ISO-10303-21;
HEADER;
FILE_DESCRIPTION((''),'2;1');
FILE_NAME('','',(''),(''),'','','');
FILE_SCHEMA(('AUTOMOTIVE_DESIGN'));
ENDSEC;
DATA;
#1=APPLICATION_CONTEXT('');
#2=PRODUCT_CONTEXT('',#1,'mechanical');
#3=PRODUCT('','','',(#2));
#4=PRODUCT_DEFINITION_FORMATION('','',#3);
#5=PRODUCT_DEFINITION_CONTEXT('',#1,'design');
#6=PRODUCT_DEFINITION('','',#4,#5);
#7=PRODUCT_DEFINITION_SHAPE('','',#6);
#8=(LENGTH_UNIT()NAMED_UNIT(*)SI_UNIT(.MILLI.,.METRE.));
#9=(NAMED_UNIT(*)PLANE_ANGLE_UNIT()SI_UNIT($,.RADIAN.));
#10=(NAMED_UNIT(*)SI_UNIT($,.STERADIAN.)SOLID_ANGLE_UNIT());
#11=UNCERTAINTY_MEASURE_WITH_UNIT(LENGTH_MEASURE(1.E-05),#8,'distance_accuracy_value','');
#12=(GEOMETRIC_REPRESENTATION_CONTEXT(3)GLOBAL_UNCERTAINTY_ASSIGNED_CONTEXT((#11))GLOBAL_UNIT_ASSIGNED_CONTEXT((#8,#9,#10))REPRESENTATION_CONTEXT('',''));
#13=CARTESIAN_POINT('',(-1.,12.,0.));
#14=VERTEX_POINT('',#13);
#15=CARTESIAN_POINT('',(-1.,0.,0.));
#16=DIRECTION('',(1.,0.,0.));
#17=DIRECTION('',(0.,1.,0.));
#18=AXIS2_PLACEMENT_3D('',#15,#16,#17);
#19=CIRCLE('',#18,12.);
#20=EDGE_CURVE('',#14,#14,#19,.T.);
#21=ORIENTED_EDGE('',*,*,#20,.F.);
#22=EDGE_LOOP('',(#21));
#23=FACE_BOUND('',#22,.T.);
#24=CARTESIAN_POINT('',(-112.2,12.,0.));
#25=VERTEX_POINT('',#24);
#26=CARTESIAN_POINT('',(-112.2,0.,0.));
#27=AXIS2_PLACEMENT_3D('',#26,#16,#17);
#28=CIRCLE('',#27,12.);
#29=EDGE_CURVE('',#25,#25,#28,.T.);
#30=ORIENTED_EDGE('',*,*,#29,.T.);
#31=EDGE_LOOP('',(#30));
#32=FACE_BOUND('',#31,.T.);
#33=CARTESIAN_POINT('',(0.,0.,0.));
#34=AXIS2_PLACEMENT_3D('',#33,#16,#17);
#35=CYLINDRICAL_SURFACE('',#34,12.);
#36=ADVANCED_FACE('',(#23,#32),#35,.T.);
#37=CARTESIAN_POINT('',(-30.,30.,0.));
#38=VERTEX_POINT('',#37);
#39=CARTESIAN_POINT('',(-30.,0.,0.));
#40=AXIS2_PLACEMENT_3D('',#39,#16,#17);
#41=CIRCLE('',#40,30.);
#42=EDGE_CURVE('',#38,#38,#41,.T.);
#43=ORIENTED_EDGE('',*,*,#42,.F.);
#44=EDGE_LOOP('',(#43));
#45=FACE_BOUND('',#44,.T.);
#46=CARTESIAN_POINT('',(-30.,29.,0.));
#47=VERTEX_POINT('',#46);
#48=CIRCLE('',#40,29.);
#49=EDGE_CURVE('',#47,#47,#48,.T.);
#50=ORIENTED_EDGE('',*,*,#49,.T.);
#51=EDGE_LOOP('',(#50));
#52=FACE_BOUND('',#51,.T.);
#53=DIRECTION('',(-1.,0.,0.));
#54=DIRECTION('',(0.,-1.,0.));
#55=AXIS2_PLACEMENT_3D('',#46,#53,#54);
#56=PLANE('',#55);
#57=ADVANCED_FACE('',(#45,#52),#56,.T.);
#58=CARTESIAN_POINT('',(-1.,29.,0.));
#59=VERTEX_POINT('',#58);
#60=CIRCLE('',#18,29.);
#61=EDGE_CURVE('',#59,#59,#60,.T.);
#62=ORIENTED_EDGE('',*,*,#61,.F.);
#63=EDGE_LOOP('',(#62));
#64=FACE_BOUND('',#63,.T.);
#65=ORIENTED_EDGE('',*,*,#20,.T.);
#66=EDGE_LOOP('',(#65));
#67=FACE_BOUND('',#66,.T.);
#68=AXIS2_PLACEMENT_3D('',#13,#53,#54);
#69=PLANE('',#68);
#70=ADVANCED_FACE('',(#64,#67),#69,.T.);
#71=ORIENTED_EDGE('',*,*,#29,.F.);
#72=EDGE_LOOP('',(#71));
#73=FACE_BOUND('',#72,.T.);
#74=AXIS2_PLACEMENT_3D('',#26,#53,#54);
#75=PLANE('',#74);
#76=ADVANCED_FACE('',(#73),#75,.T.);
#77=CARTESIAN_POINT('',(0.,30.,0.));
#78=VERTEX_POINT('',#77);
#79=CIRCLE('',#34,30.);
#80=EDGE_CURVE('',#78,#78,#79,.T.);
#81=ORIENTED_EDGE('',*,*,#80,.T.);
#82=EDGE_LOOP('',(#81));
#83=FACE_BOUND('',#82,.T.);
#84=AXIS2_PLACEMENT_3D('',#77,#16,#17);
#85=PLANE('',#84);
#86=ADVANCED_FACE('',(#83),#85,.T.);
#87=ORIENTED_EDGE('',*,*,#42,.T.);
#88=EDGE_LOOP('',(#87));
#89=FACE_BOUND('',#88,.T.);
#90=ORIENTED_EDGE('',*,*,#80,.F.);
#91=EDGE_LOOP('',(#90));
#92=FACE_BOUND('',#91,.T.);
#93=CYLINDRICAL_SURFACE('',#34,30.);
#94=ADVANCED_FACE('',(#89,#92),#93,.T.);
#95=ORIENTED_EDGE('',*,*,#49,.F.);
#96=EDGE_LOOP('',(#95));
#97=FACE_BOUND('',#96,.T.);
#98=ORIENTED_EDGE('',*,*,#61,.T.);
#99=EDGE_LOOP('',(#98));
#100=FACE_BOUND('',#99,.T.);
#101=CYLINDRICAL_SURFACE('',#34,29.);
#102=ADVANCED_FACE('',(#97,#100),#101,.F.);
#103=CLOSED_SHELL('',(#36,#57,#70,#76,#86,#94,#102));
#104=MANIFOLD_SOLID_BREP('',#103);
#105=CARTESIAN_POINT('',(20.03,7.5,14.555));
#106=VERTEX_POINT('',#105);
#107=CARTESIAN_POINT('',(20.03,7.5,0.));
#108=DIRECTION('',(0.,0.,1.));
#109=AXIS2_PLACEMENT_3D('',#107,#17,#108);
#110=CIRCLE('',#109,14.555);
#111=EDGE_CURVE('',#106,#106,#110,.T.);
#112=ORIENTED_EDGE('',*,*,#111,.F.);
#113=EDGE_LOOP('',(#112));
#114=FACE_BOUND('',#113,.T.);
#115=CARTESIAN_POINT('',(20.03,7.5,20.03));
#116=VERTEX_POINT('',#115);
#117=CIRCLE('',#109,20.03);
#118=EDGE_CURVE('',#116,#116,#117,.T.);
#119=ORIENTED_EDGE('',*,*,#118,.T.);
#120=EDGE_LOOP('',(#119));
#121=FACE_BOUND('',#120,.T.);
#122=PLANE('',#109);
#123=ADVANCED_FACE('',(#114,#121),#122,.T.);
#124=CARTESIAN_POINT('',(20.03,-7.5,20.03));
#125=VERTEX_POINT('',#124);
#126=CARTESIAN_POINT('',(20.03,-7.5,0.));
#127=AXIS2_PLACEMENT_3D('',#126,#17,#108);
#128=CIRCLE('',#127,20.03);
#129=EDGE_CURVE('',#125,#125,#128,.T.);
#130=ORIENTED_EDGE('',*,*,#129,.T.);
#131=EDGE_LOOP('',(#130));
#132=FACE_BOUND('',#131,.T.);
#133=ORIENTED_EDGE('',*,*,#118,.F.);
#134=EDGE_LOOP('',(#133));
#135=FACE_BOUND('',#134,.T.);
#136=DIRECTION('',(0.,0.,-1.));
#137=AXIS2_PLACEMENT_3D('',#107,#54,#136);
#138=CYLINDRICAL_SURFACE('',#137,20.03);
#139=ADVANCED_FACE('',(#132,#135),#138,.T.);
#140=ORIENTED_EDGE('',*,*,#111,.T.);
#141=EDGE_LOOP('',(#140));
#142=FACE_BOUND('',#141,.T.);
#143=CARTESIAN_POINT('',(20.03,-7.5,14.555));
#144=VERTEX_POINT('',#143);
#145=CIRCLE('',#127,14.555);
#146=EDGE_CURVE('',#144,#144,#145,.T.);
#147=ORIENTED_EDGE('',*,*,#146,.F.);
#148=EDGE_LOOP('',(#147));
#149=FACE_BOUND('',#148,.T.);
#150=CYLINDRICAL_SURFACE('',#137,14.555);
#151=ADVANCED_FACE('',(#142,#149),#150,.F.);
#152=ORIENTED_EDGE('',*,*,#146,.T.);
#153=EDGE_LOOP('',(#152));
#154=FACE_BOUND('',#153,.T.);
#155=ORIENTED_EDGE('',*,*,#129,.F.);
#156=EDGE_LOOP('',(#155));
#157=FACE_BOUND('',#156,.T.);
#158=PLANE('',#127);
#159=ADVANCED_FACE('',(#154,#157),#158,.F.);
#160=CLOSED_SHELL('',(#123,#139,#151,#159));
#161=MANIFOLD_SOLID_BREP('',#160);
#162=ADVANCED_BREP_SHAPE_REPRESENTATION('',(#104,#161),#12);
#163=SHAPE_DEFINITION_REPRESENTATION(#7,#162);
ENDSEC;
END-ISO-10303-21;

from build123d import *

# Parameters (mm, degrees)
SKETCH2_R           = 20.03
SKETCH2_R_2         = 14.555
BOSS_EXTRUDE1_DEPTH = 7.5


with BuildPart() as part:
    # Sketch1 → Revolve1 (revolve)
    with BuildSketch(Plane.XY):
        Polygon((0, 0), (-112.2, 0), (-112.2, 12), (-1, 12), (-1, 29), (-30, 29), (-30, 30), (0, 30), align=None)
    revolve(axis=Axis((0, 0, 0), (-1, 0, 0)))


with BuildPart() as body_2:
    # Sketch2 → Boss-Extrude1 (new, symmetric)
    with BuildSketch(Plane(origin=(0, 0, 0), x_dir=(1, 0, 0), z_dir=(0, 1, 0))):
        with Locations(Location((20.03, 0, 0), (0, 0, 270))):
            Circle(SKETCH2_R)
        with Locations(Location((20.03, 0, 0), (0, 0, 270))):
            Circle(SKETCH2_R_2, mode=Mode.SUBTRACT)
    extrude(amount=BOSS_EXTRUDE1_DEPTH, both=True)


solid = Compound([part.part, body_2.part])
